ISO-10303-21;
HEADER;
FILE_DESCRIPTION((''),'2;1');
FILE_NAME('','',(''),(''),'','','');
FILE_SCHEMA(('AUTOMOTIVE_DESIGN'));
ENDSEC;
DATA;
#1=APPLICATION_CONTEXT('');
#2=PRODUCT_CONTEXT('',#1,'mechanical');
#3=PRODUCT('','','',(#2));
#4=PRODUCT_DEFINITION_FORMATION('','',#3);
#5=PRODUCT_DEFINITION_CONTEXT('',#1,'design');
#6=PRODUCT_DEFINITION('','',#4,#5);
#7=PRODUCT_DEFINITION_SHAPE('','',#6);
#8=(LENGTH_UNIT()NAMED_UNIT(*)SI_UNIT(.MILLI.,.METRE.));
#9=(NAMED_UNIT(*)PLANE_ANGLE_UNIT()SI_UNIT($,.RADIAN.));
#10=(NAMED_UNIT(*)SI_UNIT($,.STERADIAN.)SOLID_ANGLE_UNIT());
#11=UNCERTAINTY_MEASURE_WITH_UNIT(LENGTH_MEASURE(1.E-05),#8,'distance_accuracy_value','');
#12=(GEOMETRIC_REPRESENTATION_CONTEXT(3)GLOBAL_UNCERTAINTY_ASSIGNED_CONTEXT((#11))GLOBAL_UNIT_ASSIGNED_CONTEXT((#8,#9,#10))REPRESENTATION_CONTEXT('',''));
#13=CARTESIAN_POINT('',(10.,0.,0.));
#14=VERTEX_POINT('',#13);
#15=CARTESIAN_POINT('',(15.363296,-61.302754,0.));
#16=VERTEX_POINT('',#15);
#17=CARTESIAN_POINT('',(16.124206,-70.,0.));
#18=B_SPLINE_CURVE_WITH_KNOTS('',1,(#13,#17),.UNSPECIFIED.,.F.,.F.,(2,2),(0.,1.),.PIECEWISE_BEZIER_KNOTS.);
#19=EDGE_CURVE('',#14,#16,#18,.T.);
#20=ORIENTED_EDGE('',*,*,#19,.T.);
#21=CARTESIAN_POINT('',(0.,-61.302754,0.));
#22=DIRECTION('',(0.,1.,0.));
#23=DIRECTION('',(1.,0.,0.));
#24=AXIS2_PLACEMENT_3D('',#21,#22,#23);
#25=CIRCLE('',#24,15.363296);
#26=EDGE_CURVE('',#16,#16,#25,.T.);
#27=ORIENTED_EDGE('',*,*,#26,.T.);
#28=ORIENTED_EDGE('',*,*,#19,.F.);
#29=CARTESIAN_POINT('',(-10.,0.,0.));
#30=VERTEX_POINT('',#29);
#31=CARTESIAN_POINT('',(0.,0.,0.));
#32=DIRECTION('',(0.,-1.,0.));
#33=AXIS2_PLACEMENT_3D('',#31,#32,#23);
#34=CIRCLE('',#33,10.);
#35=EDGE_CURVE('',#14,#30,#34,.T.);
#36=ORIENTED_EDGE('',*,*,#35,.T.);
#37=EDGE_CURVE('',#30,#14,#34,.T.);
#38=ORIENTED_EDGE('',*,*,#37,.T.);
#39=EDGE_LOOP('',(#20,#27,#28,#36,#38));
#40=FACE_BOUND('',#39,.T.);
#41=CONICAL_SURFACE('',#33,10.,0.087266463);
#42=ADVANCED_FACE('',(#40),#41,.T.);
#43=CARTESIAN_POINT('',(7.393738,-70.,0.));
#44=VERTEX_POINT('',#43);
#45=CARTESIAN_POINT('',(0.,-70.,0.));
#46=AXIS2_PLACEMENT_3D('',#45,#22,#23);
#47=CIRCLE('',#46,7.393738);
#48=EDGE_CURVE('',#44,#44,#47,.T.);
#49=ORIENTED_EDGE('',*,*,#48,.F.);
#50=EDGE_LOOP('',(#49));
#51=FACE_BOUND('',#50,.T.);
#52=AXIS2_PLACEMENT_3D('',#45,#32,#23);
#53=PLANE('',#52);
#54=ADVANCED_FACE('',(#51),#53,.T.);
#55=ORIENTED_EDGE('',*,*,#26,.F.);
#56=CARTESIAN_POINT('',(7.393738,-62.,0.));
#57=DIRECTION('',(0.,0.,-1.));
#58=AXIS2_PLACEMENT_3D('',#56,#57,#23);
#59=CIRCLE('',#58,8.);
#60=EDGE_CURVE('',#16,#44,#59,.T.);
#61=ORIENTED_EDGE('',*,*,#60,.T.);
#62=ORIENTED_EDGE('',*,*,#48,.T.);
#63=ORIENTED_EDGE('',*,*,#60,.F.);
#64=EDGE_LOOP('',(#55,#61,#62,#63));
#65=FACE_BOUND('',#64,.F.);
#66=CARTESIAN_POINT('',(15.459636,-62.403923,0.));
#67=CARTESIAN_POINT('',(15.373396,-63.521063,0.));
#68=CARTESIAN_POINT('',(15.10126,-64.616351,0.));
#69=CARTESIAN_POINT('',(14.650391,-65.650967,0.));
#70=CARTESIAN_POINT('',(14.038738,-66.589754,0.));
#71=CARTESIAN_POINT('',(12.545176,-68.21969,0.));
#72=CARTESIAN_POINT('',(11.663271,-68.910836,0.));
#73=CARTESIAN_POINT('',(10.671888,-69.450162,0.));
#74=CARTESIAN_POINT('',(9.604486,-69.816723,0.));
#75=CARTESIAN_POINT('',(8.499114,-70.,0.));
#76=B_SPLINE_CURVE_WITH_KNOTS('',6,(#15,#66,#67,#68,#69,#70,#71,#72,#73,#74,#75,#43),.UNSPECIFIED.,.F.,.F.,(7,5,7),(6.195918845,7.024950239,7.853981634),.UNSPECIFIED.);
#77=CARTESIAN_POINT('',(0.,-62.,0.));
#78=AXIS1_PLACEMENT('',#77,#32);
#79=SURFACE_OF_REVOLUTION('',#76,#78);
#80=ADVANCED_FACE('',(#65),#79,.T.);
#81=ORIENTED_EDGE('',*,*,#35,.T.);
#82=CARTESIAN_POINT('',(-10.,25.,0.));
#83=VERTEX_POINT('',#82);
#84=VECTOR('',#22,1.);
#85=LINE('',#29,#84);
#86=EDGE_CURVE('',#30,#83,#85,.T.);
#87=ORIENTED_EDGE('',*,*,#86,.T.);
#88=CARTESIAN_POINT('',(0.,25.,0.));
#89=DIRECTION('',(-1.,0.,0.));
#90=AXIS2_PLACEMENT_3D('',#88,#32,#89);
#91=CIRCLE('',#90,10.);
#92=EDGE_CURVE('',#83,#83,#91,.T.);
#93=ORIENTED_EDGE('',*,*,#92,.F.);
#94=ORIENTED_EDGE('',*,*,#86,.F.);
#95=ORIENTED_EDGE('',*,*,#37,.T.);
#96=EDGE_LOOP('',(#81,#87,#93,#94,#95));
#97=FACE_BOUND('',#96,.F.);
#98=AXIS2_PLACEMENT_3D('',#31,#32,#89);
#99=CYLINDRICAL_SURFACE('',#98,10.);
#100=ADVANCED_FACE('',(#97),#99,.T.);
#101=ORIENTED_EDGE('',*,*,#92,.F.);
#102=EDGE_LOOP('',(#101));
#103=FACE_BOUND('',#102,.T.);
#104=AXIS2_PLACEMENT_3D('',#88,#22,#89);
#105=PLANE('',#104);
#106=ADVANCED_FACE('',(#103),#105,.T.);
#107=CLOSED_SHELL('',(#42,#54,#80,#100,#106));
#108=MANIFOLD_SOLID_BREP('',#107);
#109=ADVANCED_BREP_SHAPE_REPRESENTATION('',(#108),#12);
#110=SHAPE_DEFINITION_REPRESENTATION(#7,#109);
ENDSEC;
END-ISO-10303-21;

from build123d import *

# Parameters (mm, degrees)
F0_R      = 10
F1_DEPTH  = 70
F1_TAPER  = -5
F2_R      = 8
F3_R      = 10
F3_R_2    = 7.5
F1_FACE_R = 10
F4_DEPTH  = 25


with BuildPart() as f1:
    # F0 (on Front) → F1 (new body)
    with BuildSketch(Plane.XZ):
        Circle(F0_R)
    extrude(amount=F1_DEPTH, taper=F1_TAPER)

    # F2
    f2_edges = [f1.edges().sort_by_distance(p)[0] for p in [
        (-16.124206, -70, 0),
    ]]
    fillet(f2_edges, radius=F2_R)

    # F3 (on face) + F1_face (on face) → F4 (join)
    with BuildSketch(Plane(origin=(0, 0, 0), x_dir=(-1, 0, 0), z_dir=(0, 1, 0))):
        Circle(F3_R)
        Circle(F3_R_2, mode=Mode.SUBTRACT)
    with BuildSketch(Plane(origin=(0, 0, 0), x_dir=(1, 0, 0), z_dir=(0, 1, 0))):
        Circle(F1_FACE_R)
    extrude(amount=F4_DEPTH)


solid = f1.part
